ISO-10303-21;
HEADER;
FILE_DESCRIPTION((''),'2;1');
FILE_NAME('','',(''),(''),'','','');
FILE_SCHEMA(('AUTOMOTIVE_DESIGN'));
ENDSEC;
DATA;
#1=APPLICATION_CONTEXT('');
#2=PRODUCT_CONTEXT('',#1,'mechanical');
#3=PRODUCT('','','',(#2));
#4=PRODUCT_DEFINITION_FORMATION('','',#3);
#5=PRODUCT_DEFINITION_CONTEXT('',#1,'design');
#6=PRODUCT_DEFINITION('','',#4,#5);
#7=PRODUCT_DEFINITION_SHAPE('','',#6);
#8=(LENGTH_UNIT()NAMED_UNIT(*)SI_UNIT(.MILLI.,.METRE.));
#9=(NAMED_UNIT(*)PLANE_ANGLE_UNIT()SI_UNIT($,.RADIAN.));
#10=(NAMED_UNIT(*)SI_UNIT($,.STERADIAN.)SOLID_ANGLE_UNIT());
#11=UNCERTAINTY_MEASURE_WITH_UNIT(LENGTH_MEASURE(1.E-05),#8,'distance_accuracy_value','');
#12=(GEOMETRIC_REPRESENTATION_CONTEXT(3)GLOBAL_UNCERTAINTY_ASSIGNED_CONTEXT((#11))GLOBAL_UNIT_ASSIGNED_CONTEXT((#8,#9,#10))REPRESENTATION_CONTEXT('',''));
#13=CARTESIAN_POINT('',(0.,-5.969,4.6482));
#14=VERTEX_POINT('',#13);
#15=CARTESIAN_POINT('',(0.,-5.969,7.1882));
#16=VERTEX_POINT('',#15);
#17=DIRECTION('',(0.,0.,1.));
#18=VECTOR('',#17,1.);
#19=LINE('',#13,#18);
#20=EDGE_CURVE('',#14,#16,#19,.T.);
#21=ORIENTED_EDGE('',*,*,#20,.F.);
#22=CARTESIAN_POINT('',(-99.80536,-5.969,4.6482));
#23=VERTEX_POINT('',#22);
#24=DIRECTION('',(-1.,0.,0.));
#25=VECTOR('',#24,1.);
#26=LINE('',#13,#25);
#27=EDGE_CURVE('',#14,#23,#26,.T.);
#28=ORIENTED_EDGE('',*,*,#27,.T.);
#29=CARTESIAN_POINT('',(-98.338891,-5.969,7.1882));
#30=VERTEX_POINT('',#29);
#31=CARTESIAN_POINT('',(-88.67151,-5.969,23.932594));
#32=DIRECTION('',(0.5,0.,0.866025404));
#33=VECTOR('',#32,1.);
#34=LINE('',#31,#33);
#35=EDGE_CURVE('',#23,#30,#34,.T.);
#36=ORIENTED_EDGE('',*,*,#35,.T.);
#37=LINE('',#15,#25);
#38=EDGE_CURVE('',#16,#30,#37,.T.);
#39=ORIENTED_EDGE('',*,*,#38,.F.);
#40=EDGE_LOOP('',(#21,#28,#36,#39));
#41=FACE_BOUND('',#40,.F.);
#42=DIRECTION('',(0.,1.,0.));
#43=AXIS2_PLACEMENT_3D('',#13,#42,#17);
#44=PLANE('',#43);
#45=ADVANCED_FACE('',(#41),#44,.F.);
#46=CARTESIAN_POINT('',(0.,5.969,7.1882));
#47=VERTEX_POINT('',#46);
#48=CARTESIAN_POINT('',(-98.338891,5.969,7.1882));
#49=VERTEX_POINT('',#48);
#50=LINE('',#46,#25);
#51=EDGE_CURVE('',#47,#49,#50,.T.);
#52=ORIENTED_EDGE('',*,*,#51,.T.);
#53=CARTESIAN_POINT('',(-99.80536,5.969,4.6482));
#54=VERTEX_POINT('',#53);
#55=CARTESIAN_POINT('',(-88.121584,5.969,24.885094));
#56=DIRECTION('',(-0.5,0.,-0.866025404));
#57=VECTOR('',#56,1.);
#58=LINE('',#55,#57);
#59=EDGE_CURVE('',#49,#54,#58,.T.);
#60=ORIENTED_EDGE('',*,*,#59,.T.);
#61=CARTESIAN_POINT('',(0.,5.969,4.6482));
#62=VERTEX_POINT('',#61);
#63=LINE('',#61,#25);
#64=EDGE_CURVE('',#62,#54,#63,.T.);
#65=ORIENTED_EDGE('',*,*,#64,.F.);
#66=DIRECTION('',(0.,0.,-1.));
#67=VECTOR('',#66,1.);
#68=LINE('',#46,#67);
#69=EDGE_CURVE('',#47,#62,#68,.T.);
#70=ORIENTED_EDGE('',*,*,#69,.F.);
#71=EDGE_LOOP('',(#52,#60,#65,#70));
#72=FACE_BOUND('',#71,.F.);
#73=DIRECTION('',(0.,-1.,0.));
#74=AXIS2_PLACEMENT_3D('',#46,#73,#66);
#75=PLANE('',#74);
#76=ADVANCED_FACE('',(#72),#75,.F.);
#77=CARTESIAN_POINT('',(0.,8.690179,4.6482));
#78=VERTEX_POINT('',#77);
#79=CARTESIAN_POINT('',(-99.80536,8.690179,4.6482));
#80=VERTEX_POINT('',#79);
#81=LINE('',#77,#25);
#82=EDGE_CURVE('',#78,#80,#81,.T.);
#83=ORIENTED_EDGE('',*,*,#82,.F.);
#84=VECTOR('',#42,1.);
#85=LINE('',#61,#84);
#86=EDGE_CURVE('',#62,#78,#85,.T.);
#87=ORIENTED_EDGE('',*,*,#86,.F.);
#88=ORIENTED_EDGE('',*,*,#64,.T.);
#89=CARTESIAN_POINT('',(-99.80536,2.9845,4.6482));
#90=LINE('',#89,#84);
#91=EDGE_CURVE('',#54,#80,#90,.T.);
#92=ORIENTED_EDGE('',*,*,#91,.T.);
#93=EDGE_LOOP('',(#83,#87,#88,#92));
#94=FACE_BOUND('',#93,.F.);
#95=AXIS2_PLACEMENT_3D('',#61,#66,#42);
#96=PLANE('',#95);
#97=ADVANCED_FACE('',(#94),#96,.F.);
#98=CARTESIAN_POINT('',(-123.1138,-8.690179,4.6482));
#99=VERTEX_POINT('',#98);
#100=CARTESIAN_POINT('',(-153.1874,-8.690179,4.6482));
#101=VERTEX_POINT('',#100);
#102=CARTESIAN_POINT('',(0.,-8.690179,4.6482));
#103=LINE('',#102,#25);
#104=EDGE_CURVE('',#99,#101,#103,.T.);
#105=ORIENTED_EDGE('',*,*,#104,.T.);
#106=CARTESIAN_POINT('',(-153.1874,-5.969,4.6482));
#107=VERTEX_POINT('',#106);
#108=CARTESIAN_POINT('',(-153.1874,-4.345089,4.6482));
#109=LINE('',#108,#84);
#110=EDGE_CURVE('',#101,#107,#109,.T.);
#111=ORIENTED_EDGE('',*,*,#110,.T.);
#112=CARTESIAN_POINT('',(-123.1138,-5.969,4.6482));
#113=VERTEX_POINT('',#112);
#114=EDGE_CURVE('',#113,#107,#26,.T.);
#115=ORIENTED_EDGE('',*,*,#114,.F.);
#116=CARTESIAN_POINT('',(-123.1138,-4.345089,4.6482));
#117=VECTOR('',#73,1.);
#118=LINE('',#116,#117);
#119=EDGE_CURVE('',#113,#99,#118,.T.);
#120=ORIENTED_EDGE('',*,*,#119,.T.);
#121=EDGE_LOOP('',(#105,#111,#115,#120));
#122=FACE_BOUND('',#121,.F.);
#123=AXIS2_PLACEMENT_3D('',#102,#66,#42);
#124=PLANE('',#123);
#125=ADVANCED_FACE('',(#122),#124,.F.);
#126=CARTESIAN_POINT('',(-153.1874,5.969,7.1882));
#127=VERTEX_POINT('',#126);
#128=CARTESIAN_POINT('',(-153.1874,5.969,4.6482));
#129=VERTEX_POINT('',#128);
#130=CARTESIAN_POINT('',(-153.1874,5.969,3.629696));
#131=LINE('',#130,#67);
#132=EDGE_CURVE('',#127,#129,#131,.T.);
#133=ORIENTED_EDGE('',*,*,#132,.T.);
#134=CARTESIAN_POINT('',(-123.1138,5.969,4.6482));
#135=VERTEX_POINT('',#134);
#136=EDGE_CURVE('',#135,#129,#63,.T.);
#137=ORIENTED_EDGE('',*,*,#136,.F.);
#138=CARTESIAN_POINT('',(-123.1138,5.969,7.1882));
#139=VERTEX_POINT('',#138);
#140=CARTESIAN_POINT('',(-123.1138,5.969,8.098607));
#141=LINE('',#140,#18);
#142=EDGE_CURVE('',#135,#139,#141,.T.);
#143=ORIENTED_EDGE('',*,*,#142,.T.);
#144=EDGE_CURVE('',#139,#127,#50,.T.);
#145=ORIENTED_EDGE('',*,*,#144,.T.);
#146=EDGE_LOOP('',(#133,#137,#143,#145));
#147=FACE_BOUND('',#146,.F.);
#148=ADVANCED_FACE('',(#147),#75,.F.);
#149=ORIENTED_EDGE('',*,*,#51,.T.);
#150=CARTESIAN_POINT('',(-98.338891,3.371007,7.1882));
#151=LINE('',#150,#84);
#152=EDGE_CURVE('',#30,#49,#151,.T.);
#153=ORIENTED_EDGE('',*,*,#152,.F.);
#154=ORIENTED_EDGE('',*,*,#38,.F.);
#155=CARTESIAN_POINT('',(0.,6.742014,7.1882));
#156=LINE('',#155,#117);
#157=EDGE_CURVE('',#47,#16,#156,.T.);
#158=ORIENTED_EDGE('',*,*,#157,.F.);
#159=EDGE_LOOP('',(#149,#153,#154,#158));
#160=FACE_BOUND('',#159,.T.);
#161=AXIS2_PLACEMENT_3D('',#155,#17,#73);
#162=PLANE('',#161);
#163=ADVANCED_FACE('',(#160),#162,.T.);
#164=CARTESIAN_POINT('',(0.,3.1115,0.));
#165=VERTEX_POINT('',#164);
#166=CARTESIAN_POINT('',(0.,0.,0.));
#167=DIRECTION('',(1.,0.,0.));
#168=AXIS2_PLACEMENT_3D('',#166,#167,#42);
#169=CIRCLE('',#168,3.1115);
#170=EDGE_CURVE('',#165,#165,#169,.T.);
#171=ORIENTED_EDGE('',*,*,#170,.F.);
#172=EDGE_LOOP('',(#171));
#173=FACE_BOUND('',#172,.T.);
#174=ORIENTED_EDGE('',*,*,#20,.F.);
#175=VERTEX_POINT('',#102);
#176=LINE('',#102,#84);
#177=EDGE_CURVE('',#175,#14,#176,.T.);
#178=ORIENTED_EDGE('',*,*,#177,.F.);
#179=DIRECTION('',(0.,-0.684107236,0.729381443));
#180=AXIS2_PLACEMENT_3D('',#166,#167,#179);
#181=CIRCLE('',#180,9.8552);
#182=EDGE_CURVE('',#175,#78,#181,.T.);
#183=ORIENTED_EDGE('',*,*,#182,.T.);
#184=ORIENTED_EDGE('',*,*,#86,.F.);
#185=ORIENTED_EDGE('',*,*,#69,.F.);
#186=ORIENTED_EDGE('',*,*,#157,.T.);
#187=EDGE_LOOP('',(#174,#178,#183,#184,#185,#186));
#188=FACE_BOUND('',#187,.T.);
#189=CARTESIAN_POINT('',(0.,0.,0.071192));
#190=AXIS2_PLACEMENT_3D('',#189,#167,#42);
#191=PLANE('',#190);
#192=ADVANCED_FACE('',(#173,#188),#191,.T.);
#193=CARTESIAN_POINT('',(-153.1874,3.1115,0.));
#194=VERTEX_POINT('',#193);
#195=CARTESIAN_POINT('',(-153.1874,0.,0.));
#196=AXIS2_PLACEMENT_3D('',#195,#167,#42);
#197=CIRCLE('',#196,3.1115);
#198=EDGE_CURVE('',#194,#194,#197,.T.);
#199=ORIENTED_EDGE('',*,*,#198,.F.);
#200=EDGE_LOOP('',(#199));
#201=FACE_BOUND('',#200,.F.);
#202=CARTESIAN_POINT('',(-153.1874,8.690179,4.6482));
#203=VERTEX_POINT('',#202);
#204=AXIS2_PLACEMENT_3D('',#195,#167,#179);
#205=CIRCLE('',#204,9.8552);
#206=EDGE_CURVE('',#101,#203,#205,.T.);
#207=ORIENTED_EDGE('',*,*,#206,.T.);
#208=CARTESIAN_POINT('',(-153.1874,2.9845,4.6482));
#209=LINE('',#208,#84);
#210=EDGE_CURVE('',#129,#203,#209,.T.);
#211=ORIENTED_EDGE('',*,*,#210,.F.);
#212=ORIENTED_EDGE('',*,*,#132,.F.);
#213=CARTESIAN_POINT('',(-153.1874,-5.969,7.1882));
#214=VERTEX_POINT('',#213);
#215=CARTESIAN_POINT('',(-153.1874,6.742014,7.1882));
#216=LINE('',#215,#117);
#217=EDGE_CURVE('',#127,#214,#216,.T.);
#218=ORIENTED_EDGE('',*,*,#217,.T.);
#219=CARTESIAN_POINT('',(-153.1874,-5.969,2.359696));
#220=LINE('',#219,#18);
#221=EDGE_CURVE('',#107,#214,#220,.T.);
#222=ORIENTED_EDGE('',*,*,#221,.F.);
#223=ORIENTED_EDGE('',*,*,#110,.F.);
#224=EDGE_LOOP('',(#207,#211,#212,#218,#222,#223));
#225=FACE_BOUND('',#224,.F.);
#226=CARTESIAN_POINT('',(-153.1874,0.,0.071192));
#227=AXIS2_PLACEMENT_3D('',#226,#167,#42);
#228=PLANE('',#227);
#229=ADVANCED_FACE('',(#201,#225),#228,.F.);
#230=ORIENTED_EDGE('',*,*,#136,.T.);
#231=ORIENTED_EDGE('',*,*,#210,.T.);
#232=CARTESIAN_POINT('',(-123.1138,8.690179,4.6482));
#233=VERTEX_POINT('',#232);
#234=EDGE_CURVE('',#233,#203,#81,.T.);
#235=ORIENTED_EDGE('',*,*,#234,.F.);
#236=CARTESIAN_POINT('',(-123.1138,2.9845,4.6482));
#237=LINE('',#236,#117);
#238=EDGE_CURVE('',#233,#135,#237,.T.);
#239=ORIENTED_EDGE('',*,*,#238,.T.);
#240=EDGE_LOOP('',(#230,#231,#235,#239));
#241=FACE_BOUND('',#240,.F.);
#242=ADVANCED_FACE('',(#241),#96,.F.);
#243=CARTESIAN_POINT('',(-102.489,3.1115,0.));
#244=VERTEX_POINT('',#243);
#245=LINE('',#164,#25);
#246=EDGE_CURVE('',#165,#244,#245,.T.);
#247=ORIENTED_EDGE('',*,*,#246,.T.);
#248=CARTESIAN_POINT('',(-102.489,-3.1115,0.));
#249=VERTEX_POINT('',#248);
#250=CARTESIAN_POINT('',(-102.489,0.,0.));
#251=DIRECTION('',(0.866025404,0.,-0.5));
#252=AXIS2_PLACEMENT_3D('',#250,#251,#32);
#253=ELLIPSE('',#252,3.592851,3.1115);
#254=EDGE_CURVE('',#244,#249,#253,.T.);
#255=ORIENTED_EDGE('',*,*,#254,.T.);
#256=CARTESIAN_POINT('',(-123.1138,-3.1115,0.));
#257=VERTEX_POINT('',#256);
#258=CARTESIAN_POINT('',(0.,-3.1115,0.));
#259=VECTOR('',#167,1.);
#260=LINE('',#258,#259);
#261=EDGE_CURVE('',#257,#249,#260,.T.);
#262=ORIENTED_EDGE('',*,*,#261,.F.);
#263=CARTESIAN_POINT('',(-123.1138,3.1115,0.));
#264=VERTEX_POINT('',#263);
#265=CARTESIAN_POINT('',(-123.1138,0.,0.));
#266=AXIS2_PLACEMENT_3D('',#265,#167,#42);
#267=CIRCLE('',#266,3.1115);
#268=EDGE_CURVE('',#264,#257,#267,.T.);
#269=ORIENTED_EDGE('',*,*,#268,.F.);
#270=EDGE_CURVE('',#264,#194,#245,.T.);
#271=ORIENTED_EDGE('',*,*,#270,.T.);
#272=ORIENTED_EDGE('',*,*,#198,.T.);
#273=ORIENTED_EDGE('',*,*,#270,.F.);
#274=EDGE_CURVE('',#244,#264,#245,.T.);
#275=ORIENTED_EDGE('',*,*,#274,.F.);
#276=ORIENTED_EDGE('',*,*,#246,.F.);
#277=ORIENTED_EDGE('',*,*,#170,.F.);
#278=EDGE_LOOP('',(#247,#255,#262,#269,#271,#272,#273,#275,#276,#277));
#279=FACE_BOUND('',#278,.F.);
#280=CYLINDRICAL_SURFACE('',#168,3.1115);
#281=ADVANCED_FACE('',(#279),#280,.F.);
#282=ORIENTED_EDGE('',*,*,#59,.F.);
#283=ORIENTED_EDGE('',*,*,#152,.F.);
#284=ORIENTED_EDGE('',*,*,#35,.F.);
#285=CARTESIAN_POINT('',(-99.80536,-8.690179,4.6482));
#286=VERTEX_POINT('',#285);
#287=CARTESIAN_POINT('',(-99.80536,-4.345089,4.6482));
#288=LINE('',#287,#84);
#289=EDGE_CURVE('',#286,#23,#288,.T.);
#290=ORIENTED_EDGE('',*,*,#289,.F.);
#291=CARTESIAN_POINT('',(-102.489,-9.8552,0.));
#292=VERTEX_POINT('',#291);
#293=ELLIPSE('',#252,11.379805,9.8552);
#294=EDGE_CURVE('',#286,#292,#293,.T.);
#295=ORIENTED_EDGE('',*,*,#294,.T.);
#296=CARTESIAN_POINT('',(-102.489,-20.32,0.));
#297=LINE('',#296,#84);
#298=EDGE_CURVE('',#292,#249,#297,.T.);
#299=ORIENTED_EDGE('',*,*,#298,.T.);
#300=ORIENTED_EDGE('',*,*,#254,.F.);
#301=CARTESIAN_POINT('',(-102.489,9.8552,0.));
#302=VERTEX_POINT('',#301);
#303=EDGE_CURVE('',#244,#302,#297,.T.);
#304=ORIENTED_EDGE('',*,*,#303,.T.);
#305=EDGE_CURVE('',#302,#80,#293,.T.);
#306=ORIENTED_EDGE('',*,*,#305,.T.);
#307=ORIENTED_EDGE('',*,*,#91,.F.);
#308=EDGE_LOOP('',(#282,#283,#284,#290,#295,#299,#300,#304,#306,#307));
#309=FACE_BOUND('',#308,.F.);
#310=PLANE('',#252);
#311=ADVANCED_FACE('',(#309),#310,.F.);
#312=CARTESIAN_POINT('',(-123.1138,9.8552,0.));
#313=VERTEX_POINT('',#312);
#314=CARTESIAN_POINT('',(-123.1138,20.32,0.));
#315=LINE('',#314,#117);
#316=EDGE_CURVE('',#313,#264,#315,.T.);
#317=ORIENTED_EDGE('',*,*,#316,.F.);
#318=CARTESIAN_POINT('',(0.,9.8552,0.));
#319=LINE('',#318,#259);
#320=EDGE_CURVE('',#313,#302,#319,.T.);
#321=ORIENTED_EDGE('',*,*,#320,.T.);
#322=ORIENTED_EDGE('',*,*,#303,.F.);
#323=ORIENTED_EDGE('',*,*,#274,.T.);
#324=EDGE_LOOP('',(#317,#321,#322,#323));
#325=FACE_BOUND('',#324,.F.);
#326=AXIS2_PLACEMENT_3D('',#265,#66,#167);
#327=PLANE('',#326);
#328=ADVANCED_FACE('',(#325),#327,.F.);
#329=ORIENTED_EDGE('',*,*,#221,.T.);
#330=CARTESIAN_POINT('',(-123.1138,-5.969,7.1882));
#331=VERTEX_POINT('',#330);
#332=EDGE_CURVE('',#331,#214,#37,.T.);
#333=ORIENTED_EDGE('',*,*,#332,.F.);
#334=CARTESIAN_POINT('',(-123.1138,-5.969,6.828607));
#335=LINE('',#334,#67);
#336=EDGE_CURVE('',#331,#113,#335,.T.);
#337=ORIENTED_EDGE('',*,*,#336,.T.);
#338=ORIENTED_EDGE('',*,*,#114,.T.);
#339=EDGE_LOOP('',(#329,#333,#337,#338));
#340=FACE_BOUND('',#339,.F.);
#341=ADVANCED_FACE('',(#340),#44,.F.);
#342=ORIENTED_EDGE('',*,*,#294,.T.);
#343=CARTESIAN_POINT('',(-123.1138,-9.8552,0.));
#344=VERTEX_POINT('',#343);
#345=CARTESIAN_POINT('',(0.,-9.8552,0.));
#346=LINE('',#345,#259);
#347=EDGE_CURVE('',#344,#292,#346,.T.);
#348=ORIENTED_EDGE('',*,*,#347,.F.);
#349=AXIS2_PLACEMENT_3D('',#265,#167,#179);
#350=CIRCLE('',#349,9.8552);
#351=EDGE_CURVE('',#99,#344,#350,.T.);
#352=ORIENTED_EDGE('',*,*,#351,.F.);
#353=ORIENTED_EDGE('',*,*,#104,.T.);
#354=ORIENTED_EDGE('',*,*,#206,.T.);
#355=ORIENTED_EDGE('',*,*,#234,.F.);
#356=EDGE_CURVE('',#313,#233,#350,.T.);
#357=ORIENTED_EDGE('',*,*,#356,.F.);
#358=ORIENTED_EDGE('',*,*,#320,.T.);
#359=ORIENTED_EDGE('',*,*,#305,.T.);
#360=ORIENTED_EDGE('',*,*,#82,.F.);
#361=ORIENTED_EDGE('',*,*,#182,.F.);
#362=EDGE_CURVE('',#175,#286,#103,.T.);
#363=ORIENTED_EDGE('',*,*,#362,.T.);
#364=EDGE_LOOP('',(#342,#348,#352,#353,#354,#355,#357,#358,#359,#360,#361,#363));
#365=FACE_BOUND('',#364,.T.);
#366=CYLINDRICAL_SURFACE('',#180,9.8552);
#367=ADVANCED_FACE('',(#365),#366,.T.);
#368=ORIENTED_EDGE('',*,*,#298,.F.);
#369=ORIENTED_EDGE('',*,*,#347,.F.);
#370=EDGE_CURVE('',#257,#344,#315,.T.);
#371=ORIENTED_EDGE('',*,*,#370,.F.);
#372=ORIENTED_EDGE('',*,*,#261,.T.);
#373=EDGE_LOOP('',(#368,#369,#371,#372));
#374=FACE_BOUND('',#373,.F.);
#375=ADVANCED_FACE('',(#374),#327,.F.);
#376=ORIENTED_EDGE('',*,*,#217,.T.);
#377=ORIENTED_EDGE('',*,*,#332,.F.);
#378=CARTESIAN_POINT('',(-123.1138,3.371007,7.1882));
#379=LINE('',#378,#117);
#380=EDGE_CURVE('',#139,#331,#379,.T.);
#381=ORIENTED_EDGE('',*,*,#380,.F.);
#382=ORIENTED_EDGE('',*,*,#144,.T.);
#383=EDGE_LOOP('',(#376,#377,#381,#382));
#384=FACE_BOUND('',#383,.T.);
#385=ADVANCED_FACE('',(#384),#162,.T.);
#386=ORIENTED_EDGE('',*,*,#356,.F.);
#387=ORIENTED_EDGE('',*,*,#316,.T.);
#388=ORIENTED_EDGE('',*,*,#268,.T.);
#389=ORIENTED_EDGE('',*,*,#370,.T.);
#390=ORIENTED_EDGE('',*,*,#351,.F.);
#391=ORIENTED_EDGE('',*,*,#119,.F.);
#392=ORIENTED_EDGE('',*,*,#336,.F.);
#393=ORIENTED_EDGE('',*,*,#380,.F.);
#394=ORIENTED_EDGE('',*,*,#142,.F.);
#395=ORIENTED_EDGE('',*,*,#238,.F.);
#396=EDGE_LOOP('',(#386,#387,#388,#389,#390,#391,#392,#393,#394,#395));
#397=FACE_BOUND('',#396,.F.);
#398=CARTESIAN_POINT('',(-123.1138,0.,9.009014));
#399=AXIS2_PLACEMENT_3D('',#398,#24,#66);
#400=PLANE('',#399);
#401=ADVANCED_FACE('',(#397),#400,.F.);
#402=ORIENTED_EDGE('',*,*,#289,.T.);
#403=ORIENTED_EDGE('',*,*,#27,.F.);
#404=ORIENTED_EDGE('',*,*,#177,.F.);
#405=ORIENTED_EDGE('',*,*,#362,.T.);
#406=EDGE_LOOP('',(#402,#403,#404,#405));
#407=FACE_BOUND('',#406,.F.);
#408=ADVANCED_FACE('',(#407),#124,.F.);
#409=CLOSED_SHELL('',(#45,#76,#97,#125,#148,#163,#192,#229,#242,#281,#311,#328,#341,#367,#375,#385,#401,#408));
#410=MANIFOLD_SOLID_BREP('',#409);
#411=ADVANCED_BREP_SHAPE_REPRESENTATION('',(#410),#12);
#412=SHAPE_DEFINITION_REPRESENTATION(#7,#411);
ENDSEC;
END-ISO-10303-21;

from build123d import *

# Parameters (mm, degrees)
F1_DEPTH = 153.1874
F3_DEPTH = 20.32
F4_R     = 3.1115
F5_DEPTH = 170.688
F7_DEPTH = 153.1884
F8_R     = 15.875
F9_DEPTH = 50.8


with BuildPart() as f1:
    # F0 (on Right) → F1 (new body)
    with BuildSketch(Plane.YZ):
        with BuildLine():
            Line((6.742013631, 7.1882), (-6.742013631, 7.1882))
            ThreePointArc((-6.742013631, 7.1882), (0, -9.8552), (6.742013631, 7.1882))
        make_face()
    extrude(amount=-F1_DEPTH)

    # F2 (on Front) → F3 (cut, symmetric)
    with BuildSketch(Plane.XZ):
        Polygon((-97.2876434091, 9.0090138838), (-123.1138, 9.0090138838), (-123.1138, 0), (-102.489, 0), align=None)
    extrude(amount=F3_DEPTH, both=True, mode=Mode.SUBTRACT)

    # F4 (on face) → F5 (cut)
    with BuildSketch(Plane.YZ):
        Circle(F4_R)
    extrude(amount=-F5_DEPTH, mode=Mode.SUBTRACT)

    # F6 (on face) → F7 (cut, through all)
    with BuildSketch(Plane.YZ):
        with BuildLine():
            Line((-5.969, 4.6482), (-5.969, 7.1882))
            Line((-5.969, 7.1882), (-6.742013631, 7.1882))
            ThreePointArc((-6.742013631, 7.1882), (-7.8199129874, 5.9978269323), (-8.6901785827, 4.6482))
            Line((-8.6901785827, 4.6482), (-5.969, 4.6482))
        make_face()
        with BuildLine():
            Line((5.969, 7.1882), (5.969, 4.6482))
            Line((5.969, 4.6482), (8.6901785827, 4.6482))
            ThreePointArc((8.6901785827, 4.6482), (7.8199129874, 5.9978269323), (6.742013631, 7.1882))
            Line((6.742013631, 7.1882), (5.969, 7.1882))
        make_face()
    extrude(amount=-F7_DEPTH, mode=Mode.SUBTRACT)


with BuildPart() as f9:
    # F8 (on face) → F9 (new body)
    with BuildSketch(Plane.YZ):
        Circle(F8_R)
        with BuildLine():
            Line((5.969, 7.1882), (5.969, 4.6482))
            Line((5.969, 4.6482), (8.6901785827, 4.6482))
            ThreePointArc((8.6901785827, 4.6482), (0, -9.8552), (-8.6901785827, 4.6482))
            Line((-8.6901785827, 4.6482), (-5.969, 4.6482))
            Line((-5.969, 4.6482), (-5.969, 7.1882))
            Line((-5.969, 7.1882), (5.969, 7.1882))
        make_face(mode=Mode.SUBTRACT)
    extrude(amount=F9_DEPTH)


solid = f1.part
